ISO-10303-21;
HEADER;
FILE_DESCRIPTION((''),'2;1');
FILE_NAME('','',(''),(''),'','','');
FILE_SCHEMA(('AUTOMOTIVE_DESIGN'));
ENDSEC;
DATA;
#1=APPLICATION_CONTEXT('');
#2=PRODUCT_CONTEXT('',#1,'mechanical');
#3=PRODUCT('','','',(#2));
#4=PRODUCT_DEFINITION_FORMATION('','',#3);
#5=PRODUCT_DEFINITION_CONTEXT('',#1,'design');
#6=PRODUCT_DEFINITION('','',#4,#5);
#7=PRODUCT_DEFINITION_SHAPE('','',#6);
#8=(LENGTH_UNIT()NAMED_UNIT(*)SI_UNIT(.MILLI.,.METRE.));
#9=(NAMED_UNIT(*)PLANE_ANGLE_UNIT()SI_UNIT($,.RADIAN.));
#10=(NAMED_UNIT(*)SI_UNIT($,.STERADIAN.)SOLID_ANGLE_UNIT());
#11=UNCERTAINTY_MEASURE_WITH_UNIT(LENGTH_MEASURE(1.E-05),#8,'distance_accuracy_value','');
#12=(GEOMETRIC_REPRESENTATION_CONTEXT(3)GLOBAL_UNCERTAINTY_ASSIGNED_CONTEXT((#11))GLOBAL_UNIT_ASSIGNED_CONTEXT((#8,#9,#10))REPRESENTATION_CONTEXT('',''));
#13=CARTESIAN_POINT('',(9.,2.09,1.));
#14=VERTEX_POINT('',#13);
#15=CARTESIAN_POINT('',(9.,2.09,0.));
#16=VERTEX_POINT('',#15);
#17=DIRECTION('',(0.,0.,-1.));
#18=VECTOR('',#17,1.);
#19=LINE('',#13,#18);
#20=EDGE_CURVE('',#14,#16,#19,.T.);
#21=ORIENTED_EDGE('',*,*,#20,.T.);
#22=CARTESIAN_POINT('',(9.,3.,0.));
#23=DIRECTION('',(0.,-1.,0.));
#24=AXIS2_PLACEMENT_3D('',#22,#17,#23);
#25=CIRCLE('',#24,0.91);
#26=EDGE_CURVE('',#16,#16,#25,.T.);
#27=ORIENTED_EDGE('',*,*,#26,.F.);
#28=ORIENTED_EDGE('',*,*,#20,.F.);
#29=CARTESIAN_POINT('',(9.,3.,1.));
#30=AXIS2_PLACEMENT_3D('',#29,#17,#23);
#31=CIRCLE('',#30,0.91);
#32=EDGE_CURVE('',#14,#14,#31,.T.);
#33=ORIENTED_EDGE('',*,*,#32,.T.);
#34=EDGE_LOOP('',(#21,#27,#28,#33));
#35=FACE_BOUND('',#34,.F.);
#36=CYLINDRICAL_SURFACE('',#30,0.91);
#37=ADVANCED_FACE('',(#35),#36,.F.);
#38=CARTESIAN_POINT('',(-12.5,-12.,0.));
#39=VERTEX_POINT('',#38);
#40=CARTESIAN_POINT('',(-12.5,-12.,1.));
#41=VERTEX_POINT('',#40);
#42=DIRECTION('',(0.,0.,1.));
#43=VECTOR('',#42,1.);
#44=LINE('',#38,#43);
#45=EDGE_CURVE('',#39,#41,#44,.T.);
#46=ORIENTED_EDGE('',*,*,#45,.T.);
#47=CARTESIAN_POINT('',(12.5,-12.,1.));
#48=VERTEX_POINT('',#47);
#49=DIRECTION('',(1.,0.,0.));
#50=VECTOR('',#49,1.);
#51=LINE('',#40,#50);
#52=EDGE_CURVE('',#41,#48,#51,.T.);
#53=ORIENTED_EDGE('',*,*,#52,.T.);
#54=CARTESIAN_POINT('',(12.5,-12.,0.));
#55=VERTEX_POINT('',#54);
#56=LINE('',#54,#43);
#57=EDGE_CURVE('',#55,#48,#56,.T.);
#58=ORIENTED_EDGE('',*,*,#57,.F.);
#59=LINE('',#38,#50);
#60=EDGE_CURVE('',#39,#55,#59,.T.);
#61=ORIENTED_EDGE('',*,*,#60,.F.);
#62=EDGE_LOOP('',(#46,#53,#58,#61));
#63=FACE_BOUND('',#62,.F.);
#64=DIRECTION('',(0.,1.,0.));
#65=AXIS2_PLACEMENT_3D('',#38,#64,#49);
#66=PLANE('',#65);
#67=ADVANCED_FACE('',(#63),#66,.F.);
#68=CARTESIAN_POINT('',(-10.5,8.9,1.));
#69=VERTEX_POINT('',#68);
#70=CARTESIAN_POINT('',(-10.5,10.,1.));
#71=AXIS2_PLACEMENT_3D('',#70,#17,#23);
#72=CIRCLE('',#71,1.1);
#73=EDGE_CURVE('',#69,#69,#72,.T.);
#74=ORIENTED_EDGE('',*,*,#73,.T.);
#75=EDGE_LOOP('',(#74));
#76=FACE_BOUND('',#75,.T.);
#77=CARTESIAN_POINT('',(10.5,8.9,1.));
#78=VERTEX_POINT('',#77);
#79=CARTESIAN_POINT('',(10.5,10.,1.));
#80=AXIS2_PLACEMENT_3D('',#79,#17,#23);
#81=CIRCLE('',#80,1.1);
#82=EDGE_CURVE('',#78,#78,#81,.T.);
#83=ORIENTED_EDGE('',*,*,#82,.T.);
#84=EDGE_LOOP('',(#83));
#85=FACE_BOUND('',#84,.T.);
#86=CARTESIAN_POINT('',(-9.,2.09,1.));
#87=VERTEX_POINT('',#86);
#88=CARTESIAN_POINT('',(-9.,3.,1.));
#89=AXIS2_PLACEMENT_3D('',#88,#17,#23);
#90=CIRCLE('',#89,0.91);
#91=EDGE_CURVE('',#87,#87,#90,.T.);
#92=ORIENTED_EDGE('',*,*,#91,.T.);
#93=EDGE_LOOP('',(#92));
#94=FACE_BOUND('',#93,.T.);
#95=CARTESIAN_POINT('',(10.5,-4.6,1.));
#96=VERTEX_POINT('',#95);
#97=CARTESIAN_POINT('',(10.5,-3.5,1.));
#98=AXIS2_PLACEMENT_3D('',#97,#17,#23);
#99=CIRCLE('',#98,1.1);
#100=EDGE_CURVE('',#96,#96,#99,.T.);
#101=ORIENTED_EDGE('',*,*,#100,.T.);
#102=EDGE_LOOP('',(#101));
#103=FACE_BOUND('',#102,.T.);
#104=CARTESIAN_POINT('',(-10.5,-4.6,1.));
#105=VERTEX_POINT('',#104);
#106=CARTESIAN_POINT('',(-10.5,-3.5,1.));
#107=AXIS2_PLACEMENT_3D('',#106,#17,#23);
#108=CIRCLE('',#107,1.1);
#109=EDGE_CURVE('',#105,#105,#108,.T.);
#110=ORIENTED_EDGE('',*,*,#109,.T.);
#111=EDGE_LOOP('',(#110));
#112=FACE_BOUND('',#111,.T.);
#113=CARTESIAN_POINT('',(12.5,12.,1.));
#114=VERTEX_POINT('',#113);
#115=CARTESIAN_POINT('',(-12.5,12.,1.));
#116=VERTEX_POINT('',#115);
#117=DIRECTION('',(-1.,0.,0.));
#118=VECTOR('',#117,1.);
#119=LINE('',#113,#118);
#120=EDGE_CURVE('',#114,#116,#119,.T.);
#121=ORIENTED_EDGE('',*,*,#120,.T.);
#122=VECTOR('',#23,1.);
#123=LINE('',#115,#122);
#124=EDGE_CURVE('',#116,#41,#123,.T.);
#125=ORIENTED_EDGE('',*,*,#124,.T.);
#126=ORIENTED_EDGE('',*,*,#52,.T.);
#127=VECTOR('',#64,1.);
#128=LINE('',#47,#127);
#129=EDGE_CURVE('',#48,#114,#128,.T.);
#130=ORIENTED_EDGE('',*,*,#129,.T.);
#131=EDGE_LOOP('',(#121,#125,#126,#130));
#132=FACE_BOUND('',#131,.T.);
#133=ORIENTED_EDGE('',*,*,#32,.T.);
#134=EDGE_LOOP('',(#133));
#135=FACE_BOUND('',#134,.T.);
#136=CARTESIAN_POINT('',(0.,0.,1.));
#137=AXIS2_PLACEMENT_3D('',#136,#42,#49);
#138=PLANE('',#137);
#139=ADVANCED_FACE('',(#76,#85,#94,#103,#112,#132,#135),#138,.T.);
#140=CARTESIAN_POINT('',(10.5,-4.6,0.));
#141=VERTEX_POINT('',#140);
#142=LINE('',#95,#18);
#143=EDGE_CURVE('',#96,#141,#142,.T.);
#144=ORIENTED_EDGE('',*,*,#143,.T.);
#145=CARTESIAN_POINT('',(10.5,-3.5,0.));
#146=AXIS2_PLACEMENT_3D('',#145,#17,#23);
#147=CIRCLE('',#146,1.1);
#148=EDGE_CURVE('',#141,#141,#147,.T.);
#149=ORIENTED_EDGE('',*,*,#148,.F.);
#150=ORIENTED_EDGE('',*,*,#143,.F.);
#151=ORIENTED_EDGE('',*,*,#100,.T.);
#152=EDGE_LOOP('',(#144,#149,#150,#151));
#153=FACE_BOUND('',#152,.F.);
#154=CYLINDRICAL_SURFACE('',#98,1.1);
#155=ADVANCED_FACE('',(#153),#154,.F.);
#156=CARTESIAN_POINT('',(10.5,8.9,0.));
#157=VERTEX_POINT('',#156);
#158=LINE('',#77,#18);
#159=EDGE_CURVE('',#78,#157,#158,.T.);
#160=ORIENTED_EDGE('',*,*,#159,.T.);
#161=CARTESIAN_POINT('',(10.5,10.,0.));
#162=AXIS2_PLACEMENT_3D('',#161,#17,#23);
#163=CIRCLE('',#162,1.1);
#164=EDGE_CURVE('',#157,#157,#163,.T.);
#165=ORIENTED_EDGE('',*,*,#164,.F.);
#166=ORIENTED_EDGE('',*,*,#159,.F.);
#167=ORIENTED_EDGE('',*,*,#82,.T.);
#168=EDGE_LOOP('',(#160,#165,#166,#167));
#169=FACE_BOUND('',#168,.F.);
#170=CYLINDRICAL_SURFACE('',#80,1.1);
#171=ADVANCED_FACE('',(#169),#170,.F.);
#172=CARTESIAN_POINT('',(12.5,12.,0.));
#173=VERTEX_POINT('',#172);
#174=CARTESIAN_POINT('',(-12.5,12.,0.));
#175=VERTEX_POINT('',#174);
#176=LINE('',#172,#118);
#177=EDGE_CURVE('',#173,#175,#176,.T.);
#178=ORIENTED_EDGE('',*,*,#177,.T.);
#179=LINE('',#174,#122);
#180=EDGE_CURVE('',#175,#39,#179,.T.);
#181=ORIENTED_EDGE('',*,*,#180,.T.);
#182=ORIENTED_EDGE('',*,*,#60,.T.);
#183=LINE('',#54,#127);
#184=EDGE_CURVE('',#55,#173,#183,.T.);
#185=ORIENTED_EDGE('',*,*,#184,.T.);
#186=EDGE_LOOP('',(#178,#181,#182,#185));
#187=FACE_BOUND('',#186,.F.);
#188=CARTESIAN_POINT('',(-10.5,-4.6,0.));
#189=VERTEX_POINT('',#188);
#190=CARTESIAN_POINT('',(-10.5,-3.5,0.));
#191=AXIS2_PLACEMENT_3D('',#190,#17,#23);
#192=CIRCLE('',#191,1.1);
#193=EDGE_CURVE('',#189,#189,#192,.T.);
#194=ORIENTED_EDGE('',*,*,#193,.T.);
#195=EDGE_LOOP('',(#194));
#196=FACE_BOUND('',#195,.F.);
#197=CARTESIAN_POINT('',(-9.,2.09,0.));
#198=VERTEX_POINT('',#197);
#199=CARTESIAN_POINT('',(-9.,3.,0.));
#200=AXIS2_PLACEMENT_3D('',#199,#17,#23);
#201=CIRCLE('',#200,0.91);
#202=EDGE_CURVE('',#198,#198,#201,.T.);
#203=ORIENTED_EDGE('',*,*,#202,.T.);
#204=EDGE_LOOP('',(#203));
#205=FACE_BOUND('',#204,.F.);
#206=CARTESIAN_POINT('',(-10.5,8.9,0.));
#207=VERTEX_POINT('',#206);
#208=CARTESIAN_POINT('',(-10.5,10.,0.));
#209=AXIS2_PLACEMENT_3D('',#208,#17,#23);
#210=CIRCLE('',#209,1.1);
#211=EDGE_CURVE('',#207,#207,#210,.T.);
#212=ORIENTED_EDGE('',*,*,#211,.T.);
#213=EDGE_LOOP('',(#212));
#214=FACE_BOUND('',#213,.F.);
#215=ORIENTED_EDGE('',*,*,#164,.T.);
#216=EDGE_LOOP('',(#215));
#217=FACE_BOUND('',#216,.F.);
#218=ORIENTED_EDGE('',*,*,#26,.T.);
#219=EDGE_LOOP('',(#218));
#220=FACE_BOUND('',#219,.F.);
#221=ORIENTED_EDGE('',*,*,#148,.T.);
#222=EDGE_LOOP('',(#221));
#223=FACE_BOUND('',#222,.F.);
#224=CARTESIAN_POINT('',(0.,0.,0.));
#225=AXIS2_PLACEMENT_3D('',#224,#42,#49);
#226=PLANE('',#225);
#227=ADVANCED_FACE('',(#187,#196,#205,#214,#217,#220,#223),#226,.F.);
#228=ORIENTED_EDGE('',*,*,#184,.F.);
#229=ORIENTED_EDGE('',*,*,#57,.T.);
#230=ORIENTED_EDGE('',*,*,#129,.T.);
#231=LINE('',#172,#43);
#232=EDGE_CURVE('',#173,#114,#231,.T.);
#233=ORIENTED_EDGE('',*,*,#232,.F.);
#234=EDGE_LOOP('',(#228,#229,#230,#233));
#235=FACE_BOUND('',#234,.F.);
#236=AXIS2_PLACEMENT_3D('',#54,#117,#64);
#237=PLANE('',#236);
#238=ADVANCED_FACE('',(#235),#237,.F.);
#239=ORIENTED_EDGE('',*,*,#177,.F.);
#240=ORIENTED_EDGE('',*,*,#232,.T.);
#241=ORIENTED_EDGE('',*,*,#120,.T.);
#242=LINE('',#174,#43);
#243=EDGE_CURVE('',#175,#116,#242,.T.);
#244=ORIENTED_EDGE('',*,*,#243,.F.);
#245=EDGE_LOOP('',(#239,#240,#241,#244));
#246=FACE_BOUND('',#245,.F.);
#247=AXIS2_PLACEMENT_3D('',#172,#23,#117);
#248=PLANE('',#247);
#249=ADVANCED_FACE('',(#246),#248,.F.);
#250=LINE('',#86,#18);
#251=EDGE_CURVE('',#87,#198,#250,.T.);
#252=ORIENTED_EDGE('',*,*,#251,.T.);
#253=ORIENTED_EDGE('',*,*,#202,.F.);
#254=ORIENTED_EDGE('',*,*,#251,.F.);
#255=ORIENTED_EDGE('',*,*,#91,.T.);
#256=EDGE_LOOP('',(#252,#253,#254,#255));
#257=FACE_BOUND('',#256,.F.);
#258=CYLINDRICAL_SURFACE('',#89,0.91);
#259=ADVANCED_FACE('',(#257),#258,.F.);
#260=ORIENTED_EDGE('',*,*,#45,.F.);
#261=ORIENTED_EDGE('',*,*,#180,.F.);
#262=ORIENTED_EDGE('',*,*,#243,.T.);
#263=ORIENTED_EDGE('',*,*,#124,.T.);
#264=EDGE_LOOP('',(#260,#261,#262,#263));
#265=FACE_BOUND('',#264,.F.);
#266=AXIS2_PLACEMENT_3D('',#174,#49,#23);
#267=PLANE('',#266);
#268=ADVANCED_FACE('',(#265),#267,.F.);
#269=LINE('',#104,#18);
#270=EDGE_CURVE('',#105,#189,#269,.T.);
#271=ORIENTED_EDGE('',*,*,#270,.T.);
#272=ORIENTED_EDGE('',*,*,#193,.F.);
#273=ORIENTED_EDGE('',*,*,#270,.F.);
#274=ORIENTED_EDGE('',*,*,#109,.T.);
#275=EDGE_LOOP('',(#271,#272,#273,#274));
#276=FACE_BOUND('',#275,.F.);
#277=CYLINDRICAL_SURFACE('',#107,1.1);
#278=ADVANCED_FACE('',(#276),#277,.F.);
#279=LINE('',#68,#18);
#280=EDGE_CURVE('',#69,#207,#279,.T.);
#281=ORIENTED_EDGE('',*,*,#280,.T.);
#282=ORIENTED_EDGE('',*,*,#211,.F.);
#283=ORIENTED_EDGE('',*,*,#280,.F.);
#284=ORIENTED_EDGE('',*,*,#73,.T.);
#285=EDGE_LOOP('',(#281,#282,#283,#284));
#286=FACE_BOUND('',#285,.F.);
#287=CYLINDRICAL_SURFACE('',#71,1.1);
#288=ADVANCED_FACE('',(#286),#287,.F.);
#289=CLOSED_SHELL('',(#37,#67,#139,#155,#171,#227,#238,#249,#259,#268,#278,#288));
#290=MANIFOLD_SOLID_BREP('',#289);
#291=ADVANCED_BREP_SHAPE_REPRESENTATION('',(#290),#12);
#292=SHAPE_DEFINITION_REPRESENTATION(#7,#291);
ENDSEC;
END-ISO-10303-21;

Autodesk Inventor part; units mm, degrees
ref_plane "YZ Plane" through (0, 0, 0) normal (1, 0, 0) x (0, 1, 0)
ref_plane "XZ Plane" through (0, 0, 0) normal (0, 1, 0) x (-1, 0, 0)
ref_plane "XY Plane" through (0, 0, 0) normal (0, 0, 1) x (1, 0, 0)
sketch "Skizze1" plane through (0, 0, 0) normal (0, 0, 1) x (1, 0, 0)
  line L0 (-12.5, -12) -> (12.5, -12)
  line L1 (12.5, -12) -> (12.5, 12)
  line L2 (12.5, 12) -> (-12.5, 12)
  line L3 (-12.5, 12) -> (-12.5, -12)
  line L4 (-12.5, -12) -> (12.5, 12) construction
  line L5 (12.5, -12) -> (-12.5, 12) construction
  point P0 (0, 0)
  dimension "d0" = 25
  dimension "d1" = 24
extrude "Extrusion1" add sketch "Skizze1" along normal blind 1
sketch "Skizze2" plane through (0, 0, 1) normal (0, 0, 1) x (1, 0, 0)
  line L0 (-12.5, -12) -> (12.5, -12) projected
  line L1 (12.5, -12) -> (12.5, 12) projected
  line L2 (12.5, 12) -> (-12.5, 12) projected
  line L3 (-12.5, 12) -> (-12.5, -12) projected
  line L4 (12.5, 12) -> (-12.5, 12) construction
  line L5 (0, 12) -> (0, -12) construction
  line L6 (-12.5, -12) -> (12.5, -12) construction
  point P0 (0, 0)
  point P1 (-10.5, 10)
  point P2 (10.5, 10)
  point P3 (10.5, -3.5)
  point P4 (-10.5, -3.5)
  dimension "d4" = 2
  dimension "d5" = 2
  dimension "d6" = 8.5
  dimension "d7" = 2
hole "Bohrung1" at (-10.5, 10, 1) at (10.5, 10, 1) at (10.5, -3.5, 1) at (-10.5, -3.5, 1) direction (0, 0, -1) diameter 2.2 end through all
sketch "Skizze3" plane through (0, 0, 1) normal (0, 0, 1) x (1, 0, 0)
  circle A0 centre (10.5, -3.5) radius 1.1 projected
  circle A1 centre (-10.5, 10) radius 1.1 projected
  circle A2 centre (10.5, 10) radius 1.1 projected
  circle A3 centre (-10.5, -3.5) radius 1.1 projected
  line L0 (-12.5, -12) -> (12.5, -12) projected
  line L1 (12.5, -12) -> (12.5, 12) projected
  line L2 (12.5, 12) -> (-12.5, 12) projected
  line L3 (-12.5, 12) -> (-12.5, -12) projected
  line L4 (0, 12) -> (0, -12) construction
  point P0 (0, 0)
  point P1 (-9, 3)
  point P2 (9, 3)
  dimension "d16" = 9
  dimension "d17" = 18
hole "Bohrung2" at (-9, 3, 1) at (9, 3, 1) direction (0, 0, -1) diameter 1.82 end through all
properties part number "Waveshare Kamera PCB 24x25" material "Phenolharz"
